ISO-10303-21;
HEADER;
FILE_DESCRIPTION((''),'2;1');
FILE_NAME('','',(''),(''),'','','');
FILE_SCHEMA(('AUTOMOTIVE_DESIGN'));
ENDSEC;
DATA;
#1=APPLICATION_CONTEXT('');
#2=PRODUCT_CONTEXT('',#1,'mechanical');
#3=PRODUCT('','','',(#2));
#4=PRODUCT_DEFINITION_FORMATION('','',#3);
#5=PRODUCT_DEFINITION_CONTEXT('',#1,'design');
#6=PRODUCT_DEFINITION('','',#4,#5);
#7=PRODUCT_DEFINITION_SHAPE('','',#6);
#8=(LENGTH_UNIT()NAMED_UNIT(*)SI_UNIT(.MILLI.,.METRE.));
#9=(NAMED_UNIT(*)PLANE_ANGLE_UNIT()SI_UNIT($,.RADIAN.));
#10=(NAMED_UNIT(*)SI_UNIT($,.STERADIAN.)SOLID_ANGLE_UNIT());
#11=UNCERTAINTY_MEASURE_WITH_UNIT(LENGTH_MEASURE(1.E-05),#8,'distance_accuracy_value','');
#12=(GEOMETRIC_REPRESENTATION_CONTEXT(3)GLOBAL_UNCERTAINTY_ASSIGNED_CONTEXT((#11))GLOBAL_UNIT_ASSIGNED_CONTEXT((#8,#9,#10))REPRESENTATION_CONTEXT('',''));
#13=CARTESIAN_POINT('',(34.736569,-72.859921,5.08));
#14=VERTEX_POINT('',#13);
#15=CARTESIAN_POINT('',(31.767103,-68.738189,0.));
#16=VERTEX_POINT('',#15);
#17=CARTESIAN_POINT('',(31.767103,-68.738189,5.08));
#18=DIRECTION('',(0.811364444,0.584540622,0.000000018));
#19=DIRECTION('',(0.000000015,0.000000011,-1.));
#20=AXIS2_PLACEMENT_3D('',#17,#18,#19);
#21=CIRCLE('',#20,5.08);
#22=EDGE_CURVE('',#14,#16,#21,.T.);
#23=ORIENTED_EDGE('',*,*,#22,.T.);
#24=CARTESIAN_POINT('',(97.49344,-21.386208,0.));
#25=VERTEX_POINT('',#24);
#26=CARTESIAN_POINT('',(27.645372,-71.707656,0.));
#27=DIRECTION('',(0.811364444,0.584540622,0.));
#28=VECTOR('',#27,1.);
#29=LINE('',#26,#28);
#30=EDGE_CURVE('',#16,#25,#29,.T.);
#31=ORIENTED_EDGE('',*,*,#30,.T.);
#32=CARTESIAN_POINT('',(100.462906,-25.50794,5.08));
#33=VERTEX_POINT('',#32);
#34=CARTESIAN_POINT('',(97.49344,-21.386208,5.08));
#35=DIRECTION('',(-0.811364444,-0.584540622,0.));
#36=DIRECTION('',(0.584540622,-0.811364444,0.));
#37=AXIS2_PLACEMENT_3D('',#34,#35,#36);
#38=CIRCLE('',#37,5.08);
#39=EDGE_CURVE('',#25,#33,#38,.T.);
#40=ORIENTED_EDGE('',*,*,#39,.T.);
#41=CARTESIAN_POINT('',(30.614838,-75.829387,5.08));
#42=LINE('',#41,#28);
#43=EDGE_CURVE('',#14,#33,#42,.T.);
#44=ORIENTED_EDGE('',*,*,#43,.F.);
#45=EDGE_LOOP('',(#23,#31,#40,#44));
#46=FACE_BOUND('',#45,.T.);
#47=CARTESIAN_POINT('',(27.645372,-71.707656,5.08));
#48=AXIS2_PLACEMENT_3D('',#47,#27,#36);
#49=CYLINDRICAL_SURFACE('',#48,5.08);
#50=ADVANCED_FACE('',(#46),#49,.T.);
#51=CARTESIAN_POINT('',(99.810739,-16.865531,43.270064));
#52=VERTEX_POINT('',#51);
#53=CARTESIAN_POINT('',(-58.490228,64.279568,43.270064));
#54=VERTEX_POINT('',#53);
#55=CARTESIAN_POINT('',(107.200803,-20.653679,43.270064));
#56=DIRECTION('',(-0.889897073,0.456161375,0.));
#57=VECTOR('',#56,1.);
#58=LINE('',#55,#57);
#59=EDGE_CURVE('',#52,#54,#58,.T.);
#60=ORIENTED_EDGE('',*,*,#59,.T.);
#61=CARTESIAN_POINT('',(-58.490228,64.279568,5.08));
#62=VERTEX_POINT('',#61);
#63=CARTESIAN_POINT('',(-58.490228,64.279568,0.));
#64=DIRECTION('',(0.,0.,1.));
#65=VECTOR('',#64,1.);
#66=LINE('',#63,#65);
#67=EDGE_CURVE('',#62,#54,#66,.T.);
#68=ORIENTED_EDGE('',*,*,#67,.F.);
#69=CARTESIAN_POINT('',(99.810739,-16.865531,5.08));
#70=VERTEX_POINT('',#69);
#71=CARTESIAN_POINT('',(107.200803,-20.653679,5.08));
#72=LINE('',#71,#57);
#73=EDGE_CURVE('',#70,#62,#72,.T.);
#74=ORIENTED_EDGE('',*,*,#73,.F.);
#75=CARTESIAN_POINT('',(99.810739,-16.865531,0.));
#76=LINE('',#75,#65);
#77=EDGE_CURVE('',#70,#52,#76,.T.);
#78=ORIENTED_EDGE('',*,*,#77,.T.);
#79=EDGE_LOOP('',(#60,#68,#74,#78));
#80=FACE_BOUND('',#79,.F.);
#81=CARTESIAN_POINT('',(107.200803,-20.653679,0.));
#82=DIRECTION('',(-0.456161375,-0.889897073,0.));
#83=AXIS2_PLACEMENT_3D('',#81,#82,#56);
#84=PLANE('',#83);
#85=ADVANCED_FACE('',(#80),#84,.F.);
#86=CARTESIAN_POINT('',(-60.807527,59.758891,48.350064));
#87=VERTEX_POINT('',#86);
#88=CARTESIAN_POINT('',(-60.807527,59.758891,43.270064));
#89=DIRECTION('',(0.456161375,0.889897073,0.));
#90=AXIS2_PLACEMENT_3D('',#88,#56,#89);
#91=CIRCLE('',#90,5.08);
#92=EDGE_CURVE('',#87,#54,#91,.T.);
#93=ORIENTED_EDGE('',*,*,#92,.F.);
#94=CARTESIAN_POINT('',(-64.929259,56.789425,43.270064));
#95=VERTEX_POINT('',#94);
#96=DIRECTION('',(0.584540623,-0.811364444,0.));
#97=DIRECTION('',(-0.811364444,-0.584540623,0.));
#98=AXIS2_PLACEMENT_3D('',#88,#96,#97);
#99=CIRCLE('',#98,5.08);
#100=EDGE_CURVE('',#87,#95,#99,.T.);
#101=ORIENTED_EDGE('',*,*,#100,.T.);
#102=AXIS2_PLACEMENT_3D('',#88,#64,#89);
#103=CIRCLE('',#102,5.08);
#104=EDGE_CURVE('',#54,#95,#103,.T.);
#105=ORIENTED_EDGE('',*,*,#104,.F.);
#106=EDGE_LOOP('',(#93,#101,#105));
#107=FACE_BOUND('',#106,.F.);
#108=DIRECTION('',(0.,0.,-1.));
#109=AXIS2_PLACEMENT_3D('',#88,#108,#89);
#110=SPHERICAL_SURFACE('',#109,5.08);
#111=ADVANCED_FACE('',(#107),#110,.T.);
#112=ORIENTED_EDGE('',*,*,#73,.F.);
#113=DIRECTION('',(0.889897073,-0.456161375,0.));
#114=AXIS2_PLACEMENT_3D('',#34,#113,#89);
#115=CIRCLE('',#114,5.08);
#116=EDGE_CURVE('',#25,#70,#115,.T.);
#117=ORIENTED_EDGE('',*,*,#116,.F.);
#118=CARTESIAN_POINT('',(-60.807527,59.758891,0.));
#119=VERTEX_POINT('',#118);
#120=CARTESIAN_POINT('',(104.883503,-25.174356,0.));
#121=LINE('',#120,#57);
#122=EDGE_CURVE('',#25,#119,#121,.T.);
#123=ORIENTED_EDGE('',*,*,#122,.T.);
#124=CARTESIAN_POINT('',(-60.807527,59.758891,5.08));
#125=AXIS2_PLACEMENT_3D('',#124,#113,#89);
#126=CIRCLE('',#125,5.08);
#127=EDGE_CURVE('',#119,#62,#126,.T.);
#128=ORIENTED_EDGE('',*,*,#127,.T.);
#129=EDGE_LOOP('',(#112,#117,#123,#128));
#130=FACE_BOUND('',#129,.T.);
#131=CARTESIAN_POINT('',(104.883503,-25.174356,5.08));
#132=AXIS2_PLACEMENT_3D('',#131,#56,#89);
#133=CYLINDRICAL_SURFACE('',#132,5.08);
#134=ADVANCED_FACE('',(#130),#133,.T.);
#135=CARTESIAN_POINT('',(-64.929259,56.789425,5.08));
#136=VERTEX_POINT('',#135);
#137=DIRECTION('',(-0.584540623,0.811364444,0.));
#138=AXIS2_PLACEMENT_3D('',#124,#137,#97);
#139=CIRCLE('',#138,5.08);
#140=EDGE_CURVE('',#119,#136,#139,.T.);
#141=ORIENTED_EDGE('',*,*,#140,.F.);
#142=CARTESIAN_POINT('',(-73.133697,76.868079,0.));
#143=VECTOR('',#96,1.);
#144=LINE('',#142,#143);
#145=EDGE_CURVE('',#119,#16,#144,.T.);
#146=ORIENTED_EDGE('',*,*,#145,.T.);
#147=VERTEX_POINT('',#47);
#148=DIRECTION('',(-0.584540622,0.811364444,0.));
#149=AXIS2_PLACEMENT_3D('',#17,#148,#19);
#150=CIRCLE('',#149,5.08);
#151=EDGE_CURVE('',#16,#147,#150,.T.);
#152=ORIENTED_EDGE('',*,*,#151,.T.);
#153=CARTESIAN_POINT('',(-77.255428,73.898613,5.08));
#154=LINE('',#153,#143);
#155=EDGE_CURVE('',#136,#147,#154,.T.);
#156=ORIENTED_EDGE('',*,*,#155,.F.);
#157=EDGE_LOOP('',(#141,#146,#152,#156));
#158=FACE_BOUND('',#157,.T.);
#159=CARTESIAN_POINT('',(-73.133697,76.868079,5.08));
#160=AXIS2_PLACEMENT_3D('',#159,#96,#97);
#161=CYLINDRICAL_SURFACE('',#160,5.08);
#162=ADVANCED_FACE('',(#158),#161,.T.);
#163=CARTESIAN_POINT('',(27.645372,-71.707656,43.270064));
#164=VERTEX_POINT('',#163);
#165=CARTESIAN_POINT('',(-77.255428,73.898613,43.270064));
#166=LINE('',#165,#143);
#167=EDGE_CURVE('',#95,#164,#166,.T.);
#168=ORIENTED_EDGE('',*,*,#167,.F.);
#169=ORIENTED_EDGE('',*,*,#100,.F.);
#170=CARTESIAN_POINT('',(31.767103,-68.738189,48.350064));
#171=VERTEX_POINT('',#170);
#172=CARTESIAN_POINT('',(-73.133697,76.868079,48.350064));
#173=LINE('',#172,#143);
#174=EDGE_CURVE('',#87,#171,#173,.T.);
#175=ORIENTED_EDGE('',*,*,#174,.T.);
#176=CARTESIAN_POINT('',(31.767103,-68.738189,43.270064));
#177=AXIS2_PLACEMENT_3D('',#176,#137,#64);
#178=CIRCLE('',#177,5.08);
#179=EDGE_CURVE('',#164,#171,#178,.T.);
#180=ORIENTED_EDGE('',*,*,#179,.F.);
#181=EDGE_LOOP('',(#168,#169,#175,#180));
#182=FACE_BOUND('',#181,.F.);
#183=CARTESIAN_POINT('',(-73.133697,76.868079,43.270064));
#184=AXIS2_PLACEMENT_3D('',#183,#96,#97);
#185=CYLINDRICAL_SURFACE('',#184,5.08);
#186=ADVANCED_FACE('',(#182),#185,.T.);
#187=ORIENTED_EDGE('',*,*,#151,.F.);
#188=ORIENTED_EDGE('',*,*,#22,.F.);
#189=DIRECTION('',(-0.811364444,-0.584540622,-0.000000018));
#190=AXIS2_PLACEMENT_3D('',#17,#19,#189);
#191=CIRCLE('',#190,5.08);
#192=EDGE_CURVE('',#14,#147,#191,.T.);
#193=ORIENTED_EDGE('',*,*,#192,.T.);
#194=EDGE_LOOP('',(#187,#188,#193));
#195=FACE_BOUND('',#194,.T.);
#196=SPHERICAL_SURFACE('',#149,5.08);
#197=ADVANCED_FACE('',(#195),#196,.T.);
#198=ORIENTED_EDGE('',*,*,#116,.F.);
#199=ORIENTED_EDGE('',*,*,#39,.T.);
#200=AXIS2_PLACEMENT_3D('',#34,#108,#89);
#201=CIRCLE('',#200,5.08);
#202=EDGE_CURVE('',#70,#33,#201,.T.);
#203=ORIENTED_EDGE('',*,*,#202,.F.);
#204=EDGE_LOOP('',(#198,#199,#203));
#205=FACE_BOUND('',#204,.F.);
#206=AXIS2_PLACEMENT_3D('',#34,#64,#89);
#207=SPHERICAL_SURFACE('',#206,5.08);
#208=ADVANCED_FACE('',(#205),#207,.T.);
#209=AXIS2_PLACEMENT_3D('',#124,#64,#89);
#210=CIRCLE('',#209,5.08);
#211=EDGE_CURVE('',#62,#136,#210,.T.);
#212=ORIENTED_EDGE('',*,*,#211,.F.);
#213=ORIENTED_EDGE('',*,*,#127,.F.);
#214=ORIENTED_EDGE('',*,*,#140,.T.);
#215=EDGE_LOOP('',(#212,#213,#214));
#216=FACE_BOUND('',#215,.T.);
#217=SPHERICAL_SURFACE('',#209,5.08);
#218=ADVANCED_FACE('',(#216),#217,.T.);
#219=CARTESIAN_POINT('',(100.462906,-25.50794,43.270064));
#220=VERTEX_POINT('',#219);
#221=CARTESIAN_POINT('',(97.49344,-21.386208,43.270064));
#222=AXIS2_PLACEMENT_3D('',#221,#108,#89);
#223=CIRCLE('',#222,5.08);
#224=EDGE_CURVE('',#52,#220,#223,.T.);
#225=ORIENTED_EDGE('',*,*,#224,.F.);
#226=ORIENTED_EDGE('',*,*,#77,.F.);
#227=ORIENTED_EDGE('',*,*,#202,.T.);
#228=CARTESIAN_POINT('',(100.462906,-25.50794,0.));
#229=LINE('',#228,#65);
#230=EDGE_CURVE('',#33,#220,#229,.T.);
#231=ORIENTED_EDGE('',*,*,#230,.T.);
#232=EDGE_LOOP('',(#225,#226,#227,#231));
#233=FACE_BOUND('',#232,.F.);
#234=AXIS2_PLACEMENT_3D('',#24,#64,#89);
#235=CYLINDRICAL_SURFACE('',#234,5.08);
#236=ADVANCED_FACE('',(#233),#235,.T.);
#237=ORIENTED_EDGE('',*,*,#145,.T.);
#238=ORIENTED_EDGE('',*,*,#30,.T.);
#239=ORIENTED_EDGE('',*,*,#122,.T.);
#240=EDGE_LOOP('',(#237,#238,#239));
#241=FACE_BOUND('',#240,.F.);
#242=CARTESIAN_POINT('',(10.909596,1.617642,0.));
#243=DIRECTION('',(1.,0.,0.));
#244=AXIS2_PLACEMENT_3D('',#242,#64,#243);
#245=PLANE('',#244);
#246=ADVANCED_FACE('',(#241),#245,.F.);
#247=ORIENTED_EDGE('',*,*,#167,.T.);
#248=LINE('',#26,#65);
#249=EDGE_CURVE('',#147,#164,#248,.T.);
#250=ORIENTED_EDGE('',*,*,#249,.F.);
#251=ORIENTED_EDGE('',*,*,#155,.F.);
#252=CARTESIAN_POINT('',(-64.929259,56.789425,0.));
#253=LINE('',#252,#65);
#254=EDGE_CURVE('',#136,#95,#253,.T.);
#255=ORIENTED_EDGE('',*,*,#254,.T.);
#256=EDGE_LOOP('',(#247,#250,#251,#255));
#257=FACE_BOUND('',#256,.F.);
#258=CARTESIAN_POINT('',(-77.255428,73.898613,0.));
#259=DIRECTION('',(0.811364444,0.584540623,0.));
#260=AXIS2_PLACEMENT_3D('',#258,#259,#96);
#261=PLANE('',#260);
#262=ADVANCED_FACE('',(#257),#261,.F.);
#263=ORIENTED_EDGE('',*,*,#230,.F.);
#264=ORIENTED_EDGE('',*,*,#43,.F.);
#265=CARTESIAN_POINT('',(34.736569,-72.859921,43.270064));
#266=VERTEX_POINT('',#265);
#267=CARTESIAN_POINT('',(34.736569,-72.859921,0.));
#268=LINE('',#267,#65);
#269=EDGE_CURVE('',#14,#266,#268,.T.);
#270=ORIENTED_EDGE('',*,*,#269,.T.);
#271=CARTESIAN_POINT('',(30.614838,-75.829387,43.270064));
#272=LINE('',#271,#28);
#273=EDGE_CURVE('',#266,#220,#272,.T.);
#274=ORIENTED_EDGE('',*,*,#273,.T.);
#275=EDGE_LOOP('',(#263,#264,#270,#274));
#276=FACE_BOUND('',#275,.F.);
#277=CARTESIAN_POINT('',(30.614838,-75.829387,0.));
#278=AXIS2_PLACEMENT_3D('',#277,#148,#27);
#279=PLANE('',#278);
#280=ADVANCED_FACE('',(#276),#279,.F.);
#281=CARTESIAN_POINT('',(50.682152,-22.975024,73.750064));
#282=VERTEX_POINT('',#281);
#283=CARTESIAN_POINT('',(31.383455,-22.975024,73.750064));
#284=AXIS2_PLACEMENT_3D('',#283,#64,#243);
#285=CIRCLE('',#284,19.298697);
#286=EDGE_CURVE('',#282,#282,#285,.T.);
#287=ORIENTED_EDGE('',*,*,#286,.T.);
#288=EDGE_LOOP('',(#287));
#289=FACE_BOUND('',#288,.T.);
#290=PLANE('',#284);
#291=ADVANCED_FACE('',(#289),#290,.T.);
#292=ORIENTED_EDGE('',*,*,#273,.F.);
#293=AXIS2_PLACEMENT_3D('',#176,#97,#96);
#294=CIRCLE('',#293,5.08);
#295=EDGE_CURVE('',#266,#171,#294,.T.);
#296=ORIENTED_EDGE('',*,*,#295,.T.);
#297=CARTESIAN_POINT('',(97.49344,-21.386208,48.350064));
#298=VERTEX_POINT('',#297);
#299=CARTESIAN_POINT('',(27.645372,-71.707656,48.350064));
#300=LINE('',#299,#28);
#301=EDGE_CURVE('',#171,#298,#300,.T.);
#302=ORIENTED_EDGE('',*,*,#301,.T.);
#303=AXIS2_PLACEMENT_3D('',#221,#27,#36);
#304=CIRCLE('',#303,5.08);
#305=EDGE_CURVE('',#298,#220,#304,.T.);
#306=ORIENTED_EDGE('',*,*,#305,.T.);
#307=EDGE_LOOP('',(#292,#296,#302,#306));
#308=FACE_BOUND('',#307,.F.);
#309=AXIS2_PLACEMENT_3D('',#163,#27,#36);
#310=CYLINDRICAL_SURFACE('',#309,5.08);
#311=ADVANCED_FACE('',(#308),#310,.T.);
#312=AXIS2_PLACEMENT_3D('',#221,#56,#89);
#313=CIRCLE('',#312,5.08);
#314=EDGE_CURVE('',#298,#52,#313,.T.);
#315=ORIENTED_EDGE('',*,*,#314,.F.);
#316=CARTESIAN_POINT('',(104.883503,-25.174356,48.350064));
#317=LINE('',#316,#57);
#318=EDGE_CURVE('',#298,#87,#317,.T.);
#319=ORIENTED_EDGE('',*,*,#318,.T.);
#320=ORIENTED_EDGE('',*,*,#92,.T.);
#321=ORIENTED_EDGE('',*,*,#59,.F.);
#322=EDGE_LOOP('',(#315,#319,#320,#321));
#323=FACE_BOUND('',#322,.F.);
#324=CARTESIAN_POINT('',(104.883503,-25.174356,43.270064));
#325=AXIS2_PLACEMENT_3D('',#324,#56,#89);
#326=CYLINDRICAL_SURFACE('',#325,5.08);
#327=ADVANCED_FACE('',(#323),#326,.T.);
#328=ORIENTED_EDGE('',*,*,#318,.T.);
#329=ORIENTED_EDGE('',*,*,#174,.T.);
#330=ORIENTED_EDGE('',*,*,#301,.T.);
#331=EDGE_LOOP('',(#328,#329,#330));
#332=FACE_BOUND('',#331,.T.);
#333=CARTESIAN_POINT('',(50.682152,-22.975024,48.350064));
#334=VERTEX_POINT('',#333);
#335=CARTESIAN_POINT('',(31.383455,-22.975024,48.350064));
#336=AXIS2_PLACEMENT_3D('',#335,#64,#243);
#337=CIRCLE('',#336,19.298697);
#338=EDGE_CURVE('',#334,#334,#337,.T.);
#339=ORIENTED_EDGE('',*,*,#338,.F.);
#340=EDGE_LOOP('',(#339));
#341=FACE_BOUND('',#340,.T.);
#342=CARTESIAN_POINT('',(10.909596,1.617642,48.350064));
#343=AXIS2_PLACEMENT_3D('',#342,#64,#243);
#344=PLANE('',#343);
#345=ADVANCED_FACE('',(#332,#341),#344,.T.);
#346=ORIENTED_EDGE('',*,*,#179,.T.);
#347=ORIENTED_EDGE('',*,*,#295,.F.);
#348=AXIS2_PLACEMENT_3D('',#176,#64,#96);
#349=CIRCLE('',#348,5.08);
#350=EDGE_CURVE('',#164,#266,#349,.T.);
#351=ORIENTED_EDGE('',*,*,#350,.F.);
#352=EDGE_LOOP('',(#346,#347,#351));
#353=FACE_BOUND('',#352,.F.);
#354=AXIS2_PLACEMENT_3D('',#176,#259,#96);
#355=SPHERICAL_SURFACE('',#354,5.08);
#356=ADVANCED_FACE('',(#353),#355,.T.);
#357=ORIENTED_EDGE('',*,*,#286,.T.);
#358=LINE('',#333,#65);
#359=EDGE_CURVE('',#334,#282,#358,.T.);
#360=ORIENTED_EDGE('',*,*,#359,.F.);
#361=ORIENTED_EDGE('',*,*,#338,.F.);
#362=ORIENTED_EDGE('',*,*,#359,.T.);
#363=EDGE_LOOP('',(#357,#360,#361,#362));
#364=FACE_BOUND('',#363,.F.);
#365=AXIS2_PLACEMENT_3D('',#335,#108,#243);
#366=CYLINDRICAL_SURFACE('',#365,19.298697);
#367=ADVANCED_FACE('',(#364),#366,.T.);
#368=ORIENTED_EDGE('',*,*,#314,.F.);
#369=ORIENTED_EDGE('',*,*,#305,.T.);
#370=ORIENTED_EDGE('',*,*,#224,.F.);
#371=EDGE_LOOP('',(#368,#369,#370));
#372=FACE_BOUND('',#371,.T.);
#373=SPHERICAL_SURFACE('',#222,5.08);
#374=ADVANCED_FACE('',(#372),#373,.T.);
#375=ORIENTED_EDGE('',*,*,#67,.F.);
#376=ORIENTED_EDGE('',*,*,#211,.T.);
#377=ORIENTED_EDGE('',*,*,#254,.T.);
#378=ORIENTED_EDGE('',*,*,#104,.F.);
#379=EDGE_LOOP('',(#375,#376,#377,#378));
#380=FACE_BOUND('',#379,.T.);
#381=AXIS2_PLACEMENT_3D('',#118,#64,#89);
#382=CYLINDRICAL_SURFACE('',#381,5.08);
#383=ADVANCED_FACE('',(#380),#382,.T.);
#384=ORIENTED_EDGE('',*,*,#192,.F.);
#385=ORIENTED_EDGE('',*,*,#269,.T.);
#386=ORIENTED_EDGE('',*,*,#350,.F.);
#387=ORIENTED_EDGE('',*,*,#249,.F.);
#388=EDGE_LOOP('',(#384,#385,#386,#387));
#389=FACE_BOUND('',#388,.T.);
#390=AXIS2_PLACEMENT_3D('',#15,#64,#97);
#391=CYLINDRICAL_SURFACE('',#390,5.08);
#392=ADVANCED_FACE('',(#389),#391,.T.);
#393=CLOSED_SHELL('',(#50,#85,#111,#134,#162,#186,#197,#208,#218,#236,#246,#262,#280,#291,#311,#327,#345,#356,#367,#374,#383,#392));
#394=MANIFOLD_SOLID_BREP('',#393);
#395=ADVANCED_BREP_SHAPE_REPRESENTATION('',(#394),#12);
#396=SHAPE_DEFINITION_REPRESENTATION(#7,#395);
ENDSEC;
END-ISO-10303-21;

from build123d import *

# Parameters (mm, degrees)
F1_DEPTH = 48.350064
F2_R     = 5.08
F4_R     = 19.298697
F5_DEPTH = 25.4


with BuildPart() as f1:
    # F0 (on Top) → F1 (new body)
    with BuildSketch(Plane.XY):
        Polygon((107.200803, -20.653679), (-77.255428, 73.898613), (30.614838, -75.829387), align=None)
    extrude(amount=F1_DEPTH)

    # F2
    f2_edges = [f1.edges().sort_by_distance(p)[0] for p in [
        (-77.255428, 73.898613, 24.175032),
        (68.90782, -48.241533, 48.350064),
        (107.200803, -20.653679, 24.175032),
        (14.972687, 26.622467, 0),
        (14.972687, 26.622467, 48.350064),
        (-23.320295, -0.965387, 0),
        (68.90782, -48.241533, 0),
        (30.614838, -75.829387, 24.175032),
        (-23.320295, -0.965387, 48.350064),
    ]]
    fillet(f2_edges, radius=F2_R)

    # F4 (on face) → F5 (join)
    with BuildSketch(Plane.XY.offset(48.350064)):
        with Locations((31.383455, -22.975024)):
            Circle(F4_R)
    extrude(amount=F5_DEPTH)


solid = f1.part
